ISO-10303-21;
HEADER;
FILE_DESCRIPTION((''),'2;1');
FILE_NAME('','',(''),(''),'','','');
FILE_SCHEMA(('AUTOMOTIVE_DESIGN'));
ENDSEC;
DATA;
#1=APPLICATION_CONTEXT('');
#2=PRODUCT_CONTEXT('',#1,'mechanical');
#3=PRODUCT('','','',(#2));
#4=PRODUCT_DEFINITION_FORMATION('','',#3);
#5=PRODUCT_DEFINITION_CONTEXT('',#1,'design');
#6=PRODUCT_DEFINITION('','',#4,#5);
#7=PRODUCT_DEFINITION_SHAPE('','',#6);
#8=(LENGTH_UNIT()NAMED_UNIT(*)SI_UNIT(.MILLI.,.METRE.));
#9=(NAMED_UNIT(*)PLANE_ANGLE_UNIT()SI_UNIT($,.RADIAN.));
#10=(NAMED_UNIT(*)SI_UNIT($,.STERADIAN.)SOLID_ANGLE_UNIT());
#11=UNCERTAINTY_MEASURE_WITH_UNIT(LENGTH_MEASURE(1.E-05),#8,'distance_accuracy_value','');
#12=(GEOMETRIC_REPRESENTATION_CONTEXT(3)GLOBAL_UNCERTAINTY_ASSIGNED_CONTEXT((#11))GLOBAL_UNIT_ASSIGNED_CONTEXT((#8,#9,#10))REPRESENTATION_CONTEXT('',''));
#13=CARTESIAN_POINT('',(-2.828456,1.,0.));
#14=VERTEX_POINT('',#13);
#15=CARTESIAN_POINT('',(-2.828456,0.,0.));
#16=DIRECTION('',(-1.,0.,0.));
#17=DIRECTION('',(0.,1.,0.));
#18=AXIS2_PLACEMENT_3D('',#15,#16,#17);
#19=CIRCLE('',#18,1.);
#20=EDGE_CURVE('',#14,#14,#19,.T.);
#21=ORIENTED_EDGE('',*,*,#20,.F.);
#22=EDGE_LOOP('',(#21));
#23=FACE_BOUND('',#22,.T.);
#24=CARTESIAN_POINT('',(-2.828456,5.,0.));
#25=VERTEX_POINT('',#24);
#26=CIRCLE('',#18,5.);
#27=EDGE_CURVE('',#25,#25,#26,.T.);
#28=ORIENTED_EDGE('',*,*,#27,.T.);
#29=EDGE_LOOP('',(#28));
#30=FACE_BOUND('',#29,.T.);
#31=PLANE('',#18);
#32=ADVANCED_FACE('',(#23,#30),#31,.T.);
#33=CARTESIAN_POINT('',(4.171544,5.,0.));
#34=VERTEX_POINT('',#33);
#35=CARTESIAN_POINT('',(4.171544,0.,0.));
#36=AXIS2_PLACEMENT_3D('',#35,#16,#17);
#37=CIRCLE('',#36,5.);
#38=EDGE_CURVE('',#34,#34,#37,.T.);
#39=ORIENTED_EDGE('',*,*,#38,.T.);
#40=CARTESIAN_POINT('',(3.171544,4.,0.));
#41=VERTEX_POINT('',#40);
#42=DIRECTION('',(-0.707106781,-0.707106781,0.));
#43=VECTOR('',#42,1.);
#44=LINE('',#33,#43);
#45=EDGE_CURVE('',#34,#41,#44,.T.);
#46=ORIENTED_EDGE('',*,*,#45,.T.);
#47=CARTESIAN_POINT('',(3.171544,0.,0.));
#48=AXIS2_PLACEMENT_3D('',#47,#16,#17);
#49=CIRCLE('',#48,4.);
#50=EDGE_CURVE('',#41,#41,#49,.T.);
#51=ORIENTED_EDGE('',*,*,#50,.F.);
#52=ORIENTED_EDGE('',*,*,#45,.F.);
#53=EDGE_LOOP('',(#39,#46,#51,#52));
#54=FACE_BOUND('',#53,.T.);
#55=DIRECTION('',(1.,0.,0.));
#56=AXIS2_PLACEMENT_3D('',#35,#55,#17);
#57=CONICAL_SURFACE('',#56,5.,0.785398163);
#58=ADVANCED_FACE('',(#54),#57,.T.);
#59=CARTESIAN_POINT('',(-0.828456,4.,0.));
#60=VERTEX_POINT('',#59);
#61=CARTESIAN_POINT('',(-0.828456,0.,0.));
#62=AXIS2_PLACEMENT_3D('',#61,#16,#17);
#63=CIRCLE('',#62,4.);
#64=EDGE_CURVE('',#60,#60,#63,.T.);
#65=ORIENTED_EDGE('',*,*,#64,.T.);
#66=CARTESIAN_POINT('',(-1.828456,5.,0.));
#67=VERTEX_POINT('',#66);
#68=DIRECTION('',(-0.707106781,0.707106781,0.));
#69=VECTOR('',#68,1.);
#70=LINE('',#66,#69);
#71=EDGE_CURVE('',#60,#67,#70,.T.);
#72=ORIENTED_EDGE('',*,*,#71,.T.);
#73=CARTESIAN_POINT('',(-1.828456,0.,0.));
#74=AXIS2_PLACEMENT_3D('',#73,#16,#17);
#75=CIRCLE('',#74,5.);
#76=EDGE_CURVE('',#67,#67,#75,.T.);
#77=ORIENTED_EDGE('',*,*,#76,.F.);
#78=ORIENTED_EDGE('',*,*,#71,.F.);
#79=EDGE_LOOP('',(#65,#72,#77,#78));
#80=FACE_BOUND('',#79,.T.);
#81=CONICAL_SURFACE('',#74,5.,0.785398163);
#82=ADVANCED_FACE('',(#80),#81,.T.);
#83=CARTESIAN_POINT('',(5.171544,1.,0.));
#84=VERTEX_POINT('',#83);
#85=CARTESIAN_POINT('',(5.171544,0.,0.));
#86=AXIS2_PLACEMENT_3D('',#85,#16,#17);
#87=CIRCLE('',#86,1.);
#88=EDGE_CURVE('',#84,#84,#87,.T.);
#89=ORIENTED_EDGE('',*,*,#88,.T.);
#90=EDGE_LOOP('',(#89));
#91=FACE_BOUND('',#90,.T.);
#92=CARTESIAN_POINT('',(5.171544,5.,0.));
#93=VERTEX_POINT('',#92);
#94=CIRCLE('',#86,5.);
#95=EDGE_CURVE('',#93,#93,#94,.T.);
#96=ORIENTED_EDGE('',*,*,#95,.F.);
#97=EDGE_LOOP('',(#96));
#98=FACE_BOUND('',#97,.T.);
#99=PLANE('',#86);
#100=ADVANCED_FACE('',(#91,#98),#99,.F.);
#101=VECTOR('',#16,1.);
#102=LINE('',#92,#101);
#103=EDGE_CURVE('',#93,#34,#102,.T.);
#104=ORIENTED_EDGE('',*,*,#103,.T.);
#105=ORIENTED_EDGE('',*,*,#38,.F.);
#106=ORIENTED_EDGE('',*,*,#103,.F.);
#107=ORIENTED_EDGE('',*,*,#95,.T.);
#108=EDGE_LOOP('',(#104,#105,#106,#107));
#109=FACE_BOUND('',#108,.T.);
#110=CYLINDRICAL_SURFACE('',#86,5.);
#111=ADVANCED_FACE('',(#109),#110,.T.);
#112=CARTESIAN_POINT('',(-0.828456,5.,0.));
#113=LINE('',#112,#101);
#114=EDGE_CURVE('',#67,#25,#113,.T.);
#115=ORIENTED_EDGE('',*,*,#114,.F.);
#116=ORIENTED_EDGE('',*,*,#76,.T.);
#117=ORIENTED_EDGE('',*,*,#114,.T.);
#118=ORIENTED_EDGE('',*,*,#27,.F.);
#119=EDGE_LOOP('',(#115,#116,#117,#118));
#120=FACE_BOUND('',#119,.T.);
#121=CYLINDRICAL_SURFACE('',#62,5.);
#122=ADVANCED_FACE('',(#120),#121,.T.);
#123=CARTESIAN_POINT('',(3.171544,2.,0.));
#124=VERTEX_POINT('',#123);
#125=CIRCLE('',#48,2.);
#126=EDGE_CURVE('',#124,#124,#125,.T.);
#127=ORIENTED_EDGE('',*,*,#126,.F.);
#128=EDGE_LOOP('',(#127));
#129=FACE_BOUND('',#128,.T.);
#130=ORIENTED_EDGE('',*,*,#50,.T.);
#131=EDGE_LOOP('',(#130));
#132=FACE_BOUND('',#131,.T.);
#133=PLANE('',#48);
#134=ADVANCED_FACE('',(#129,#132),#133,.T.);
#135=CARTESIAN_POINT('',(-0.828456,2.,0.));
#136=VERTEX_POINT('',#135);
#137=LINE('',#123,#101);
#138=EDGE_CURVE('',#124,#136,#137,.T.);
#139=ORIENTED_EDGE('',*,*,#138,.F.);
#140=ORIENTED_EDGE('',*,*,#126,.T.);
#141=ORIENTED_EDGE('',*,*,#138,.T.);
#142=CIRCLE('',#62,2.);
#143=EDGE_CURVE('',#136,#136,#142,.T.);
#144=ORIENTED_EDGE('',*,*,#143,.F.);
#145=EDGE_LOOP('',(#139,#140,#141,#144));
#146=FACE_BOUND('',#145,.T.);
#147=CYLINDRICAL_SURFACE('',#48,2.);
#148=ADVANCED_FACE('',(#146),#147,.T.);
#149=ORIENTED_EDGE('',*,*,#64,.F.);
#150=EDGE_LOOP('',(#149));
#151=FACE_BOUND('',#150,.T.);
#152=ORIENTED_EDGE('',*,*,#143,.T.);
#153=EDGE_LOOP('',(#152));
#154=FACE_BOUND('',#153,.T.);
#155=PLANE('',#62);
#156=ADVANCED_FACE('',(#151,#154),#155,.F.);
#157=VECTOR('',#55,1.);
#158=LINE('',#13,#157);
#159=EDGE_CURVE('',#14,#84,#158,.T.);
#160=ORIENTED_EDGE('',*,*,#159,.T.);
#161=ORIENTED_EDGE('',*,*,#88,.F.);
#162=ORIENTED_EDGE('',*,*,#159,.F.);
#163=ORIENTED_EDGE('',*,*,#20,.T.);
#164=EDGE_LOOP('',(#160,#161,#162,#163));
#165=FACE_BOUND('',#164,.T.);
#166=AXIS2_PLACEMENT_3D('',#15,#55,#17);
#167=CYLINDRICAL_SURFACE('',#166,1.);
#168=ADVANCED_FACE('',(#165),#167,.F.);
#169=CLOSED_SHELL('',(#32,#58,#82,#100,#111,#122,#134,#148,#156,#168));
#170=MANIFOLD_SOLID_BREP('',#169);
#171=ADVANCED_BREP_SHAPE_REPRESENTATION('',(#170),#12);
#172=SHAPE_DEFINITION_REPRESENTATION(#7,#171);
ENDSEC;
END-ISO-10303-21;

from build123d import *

# Parameters (mm, degrees)
F2_SIZE = 1


with BuildPart() as f1:
    # F0 (on Top) → F1 (revolve)
    with BuildSketch(Plane.XY):
        Polygon((-2.828456, 5), (-2.828456, 1), (5.171544, 1), (5.171544, 5), (3.171544, 5), (3.171544, 2), (-0.828456, 2), (-0.828456, 5), align=None)
    revolve(axis=Axis((1.171544, 0, 0), (-1, 0, 0)))

    # F2
    f2_edges = [f1.edges().sort_by_distance(p)[0] for p in [
        (-0.828456, -5, 0),
        (3.171544, -5, 0),
    ]]
    chamfer(f2_edges, length=F2_SIZE)


solid = f1.part
